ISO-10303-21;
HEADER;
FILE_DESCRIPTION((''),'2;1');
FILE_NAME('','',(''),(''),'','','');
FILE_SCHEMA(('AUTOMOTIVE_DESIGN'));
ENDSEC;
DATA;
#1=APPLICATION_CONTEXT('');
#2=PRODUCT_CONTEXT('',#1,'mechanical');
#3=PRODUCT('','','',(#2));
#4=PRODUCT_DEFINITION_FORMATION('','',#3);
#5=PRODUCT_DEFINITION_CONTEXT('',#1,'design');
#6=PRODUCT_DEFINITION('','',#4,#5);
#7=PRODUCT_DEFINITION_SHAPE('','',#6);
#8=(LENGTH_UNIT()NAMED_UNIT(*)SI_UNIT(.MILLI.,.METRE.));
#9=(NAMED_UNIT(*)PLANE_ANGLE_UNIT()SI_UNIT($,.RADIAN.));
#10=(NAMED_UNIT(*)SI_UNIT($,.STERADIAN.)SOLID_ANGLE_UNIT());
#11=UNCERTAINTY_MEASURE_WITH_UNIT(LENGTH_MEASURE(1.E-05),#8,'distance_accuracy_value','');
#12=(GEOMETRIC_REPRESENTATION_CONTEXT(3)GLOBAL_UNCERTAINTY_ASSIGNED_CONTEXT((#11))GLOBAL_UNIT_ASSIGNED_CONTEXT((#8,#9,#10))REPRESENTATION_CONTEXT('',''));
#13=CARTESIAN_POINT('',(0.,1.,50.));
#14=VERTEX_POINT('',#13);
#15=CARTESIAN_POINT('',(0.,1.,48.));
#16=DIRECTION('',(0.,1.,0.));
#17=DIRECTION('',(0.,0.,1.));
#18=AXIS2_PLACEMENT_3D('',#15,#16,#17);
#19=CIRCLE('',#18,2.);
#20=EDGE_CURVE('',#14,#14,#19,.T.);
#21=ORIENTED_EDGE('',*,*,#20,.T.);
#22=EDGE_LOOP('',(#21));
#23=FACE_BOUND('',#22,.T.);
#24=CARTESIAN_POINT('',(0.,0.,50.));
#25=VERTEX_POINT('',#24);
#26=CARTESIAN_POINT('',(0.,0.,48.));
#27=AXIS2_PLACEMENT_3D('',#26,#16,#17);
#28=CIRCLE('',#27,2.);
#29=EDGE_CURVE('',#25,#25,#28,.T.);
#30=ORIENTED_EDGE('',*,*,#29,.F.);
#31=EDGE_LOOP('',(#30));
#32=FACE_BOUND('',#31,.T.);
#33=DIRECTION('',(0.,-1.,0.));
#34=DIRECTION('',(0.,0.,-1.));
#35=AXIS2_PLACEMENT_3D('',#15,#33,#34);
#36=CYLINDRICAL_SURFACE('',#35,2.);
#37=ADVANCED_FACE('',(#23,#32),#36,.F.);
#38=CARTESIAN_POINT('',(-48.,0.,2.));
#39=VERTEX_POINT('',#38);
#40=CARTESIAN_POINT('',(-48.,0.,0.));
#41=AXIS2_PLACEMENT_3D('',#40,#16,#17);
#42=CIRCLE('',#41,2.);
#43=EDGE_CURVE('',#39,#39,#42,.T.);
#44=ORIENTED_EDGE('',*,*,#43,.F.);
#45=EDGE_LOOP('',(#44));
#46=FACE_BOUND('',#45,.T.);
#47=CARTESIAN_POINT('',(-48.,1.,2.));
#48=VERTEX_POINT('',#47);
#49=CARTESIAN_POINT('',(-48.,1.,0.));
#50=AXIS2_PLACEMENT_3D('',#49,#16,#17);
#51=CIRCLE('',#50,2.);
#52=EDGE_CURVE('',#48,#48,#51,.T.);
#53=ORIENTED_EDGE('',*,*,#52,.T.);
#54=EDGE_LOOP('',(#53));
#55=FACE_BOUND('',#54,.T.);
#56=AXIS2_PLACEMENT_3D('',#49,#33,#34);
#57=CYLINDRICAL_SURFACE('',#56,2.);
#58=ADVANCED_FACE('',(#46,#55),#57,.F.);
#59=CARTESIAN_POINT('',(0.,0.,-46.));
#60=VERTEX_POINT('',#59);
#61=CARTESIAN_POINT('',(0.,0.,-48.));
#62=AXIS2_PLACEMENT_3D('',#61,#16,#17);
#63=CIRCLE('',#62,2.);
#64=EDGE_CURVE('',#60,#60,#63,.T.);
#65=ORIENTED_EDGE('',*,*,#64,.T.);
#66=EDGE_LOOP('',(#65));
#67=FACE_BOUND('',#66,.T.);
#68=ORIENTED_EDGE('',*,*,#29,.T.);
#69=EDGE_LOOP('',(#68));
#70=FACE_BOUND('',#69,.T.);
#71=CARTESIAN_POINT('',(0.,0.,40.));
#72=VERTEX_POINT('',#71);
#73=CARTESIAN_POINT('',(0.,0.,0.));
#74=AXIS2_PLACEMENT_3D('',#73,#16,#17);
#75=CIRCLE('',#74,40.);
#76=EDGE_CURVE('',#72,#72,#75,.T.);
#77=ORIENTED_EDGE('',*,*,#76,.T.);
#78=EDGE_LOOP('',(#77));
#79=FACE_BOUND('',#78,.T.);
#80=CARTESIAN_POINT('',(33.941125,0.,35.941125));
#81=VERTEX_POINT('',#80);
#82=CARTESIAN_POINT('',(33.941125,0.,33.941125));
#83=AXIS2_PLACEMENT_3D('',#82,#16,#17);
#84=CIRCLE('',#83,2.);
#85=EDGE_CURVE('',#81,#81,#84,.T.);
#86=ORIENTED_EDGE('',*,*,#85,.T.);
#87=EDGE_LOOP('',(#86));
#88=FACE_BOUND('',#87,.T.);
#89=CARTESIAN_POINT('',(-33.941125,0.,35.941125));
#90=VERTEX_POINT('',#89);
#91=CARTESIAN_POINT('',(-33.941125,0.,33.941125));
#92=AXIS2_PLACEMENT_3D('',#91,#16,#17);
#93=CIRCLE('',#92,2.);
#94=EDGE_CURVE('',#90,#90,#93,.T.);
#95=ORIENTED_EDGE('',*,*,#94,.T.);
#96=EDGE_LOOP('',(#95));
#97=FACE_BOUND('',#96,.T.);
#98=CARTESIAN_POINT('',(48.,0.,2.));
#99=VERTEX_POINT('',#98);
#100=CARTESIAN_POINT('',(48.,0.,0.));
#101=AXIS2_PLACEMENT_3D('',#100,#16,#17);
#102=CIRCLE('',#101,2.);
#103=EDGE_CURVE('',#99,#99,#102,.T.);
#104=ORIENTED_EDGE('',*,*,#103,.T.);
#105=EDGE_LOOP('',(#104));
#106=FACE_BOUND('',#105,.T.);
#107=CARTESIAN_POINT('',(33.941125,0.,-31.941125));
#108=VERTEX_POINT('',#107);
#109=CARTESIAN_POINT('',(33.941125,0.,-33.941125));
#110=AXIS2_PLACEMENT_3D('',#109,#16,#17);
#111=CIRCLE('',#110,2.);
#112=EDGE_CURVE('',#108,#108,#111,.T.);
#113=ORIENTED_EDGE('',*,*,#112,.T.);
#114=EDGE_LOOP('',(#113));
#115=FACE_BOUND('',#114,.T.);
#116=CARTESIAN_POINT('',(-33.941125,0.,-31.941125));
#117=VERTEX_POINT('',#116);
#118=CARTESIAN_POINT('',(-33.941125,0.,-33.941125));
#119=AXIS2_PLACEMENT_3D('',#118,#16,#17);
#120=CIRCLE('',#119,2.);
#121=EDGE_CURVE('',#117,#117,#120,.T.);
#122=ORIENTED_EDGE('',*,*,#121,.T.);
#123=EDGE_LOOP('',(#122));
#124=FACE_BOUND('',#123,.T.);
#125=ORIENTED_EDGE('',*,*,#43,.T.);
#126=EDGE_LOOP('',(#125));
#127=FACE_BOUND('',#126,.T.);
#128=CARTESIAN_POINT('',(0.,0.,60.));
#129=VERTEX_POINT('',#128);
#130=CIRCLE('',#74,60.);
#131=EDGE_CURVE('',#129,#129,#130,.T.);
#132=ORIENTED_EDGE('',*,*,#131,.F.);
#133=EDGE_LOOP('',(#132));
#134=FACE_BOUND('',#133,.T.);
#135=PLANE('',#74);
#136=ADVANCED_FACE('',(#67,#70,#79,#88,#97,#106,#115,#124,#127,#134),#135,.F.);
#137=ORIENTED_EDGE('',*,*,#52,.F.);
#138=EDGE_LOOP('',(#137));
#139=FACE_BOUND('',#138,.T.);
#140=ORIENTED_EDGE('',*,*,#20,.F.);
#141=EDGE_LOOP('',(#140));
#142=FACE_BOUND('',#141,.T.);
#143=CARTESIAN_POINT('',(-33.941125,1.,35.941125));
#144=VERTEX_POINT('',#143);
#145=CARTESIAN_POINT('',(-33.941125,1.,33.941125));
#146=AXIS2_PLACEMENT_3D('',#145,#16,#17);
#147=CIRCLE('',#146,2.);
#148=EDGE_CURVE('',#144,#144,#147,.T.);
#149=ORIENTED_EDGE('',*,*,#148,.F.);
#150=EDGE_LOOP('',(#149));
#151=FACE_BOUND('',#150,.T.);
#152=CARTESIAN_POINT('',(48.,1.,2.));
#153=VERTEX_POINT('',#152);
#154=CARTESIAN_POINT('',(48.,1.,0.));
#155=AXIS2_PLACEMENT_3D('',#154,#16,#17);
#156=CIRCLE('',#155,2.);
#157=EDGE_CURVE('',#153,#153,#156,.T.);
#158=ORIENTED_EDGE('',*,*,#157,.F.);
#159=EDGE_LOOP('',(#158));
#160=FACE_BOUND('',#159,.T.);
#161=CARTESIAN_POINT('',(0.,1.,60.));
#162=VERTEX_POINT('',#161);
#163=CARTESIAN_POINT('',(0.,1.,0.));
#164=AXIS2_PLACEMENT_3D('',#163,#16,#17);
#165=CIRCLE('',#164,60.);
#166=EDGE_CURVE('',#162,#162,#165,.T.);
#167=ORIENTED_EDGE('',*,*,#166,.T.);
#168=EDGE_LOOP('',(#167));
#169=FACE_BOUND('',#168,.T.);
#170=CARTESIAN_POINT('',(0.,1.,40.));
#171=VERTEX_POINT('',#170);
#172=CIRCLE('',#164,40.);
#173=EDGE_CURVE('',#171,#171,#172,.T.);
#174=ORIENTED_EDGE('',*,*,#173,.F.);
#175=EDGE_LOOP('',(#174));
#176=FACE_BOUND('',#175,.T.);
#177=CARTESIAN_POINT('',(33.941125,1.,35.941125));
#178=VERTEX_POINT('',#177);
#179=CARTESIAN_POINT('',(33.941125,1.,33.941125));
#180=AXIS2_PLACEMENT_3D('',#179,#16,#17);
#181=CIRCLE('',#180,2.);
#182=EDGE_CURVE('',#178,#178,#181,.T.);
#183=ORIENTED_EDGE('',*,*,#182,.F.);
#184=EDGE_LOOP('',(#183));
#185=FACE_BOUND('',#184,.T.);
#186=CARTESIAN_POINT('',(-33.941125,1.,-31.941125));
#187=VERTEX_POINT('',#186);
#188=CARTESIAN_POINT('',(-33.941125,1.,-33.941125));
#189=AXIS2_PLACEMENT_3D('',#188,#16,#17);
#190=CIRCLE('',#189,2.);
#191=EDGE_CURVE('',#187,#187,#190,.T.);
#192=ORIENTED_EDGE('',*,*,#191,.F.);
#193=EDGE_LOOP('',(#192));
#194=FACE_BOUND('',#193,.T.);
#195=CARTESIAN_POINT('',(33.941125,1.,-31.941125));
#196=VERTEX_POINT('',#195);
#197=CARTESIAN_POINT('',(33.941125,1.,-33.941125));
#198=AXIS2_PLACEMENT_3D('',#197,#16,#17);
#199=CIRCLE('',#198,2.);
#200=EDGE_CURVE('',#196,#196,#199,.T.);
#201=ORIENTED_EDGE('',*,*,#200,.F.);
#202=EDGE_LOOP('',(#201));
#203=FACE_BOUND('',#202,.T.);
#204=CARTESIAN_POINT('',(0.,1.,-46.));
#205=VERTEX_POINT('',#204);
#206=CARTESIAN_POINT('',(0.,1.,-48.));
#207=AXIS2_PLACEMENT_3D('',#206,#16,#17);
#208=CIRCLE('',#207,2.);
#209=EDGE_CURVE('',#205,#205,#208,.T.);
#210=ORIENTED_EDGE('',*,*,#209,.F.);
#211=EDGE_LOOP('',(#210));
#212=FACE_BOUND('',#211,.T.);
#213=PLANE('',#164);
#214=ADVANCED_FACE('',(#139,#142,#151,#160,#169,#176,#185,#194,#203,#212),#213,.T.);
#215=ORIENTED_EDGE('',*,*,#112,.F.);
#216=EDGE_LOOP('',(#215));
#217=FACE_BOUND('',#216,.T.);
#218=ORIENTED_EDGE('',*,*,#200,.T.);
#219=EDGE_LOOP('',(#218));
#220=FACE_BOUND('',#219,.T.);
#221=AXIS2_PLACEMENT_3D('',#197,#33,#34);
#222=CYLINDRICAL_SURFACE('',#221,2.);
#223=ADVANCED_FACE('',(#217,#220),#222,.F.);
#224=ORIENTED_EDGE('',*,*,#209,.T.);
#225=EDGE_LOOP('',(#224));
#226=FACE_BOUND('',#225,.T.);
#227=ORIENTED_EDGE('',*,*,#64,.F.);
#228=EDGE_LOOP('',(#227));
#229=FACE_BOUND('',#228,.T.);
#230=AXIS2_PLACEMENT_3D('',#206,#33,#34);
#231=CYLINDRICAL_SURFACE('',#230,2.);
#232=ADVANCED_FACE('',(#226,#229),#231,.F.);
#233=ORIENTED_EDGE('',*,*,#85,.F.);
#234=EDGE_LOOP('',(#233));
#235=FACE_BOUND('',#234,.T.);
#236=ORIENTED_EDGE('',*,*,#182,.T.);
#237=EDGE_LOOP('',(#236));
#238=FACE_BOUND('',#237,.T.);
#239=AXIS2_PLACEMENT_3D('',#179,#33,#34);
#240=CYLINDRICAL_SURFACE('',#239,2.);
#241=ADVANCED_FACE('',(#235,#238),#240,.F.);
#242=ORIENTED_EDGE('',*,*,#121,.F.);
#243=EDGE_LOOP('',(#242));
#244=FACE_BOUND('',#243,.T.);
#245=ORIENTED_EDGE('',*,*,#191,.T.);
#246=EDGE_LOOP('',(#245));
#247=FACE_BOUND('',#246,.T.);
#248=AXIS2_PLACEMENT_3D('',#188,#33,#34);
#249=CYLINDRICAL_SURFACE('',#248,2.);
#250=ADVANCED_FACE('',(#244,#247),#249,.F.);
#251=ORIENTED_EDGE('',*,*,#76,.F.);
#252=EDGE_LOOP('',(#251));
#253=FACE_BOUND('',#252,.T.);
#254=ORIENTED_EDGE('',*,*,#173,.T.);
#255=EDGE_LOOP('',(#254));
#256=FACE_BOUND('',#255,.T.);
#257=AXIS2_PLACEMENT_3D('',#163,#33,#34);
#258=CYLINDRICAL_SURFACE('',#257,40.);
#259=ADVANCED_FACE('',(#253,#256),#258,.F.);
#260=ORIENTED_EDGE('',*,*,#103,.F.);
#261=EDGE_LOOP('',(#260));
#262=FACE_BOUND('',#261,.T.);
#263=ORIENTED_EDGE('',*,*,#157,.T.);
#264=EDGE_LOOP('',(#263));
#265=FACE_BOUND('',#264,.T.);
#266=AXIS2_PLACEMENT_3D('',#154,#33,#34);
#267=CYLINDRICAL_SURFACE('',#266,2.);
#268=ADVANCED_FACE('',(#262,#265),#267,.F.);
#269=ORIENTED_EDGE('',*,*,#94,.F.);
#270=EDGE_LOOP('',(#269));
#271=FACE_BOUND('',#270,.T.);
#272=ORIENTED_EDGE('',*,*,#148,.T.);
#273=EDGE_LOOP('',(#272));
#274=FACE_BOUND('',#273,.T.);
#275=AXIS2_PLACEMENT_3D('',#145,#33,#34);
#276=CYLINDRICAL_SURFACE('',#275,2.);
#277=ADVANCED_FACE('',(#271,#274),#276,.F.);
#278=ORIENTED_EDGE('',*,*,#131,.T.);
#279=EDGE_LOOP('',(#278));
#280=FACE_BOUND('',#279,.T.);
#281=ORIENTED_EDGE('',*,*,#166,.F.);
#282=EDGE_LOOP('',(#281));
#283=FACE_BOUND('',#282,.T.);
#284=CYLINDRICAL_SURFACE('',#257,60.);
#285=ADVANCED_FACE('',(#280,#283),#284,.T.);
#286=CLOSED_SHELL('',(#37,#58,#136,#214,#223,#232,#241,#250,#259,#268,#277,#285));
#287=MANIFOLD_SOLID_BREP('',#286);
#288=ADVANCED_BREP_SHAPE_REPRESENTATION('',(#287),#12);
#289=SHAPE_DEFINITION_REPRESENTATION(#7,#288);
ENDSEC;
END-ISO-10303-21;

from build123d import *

# Parameters (mm, degrees)
SKETCH1_R           = 60
SKETCH1_R_2         = 2
SKETCH1_R_3         = 40
BOSS_EXTRUDE1_DEPTH = 1


with BuildPart() as part:
    # Sketch1 → Boss-Extrude1 (new body)
    with BuildSketch(Plane(origin=(0, 0, 0), x_dir=(1, 0, 0), z_dir=(0, 1, 0))):
        with Locations(Location((0, 0, 0), (0, 0, 270))):
            Circle(SKETCH1_R)
        with Locations(Location((0, 48, 0), (0, 0, 270))):
            Circle(SKETCH1_R_2, mode=Mode.SUBTRACT)
        with Locations(Location((33.941125497, 33.941125497, 0), (0, 0, 270))):
            Circle(SKETCH1_R_2, mode=Mode.SUBTRACT)
        with Locations(Location((48, 0, 0), (0, 0, 270))):
            Circle(SKETCH1_R_2, mode=Mode.SUBTRACT)
        with Locations(Location((33.941125497, -33.941125497, 0), (0, 0, 270))):
            Circle(SKETCH1_R_2, mode=Mode.SUBTRACT)
        with Locations(Location((0, -48, 0), (0, 0, 270))):
            Circle(SKETCH1_R_2, mode=Mode.SUBTRACT)
        with Locations(Location((-33.941125497, -33.941125497, 0), (0, 0, 270))):
            Circle(SKETCH1_R_2, mode=Mode.SUBTRACT)
        with Locations(Location((-48, 0, 0), (0, 0, 270))):
            Circle(SKETCH1_R_2, mode=Mode.SUBTRACT)
        with Locations(Location((-33.941125497, 33.941125497, 0), (0, 0, 270))):
            Circle(SKETCH1_R_2, mode=Mode.SUBTRACT)
        with Locations(Location((0, 0, 0), (0, 0, 270))):
            Circle(SKETCH1_R_3, mode=Mode.SUBTRACT)
    extrude(amount=BOSS_EXTRUDE1_DEPTH)


solid = part.part
